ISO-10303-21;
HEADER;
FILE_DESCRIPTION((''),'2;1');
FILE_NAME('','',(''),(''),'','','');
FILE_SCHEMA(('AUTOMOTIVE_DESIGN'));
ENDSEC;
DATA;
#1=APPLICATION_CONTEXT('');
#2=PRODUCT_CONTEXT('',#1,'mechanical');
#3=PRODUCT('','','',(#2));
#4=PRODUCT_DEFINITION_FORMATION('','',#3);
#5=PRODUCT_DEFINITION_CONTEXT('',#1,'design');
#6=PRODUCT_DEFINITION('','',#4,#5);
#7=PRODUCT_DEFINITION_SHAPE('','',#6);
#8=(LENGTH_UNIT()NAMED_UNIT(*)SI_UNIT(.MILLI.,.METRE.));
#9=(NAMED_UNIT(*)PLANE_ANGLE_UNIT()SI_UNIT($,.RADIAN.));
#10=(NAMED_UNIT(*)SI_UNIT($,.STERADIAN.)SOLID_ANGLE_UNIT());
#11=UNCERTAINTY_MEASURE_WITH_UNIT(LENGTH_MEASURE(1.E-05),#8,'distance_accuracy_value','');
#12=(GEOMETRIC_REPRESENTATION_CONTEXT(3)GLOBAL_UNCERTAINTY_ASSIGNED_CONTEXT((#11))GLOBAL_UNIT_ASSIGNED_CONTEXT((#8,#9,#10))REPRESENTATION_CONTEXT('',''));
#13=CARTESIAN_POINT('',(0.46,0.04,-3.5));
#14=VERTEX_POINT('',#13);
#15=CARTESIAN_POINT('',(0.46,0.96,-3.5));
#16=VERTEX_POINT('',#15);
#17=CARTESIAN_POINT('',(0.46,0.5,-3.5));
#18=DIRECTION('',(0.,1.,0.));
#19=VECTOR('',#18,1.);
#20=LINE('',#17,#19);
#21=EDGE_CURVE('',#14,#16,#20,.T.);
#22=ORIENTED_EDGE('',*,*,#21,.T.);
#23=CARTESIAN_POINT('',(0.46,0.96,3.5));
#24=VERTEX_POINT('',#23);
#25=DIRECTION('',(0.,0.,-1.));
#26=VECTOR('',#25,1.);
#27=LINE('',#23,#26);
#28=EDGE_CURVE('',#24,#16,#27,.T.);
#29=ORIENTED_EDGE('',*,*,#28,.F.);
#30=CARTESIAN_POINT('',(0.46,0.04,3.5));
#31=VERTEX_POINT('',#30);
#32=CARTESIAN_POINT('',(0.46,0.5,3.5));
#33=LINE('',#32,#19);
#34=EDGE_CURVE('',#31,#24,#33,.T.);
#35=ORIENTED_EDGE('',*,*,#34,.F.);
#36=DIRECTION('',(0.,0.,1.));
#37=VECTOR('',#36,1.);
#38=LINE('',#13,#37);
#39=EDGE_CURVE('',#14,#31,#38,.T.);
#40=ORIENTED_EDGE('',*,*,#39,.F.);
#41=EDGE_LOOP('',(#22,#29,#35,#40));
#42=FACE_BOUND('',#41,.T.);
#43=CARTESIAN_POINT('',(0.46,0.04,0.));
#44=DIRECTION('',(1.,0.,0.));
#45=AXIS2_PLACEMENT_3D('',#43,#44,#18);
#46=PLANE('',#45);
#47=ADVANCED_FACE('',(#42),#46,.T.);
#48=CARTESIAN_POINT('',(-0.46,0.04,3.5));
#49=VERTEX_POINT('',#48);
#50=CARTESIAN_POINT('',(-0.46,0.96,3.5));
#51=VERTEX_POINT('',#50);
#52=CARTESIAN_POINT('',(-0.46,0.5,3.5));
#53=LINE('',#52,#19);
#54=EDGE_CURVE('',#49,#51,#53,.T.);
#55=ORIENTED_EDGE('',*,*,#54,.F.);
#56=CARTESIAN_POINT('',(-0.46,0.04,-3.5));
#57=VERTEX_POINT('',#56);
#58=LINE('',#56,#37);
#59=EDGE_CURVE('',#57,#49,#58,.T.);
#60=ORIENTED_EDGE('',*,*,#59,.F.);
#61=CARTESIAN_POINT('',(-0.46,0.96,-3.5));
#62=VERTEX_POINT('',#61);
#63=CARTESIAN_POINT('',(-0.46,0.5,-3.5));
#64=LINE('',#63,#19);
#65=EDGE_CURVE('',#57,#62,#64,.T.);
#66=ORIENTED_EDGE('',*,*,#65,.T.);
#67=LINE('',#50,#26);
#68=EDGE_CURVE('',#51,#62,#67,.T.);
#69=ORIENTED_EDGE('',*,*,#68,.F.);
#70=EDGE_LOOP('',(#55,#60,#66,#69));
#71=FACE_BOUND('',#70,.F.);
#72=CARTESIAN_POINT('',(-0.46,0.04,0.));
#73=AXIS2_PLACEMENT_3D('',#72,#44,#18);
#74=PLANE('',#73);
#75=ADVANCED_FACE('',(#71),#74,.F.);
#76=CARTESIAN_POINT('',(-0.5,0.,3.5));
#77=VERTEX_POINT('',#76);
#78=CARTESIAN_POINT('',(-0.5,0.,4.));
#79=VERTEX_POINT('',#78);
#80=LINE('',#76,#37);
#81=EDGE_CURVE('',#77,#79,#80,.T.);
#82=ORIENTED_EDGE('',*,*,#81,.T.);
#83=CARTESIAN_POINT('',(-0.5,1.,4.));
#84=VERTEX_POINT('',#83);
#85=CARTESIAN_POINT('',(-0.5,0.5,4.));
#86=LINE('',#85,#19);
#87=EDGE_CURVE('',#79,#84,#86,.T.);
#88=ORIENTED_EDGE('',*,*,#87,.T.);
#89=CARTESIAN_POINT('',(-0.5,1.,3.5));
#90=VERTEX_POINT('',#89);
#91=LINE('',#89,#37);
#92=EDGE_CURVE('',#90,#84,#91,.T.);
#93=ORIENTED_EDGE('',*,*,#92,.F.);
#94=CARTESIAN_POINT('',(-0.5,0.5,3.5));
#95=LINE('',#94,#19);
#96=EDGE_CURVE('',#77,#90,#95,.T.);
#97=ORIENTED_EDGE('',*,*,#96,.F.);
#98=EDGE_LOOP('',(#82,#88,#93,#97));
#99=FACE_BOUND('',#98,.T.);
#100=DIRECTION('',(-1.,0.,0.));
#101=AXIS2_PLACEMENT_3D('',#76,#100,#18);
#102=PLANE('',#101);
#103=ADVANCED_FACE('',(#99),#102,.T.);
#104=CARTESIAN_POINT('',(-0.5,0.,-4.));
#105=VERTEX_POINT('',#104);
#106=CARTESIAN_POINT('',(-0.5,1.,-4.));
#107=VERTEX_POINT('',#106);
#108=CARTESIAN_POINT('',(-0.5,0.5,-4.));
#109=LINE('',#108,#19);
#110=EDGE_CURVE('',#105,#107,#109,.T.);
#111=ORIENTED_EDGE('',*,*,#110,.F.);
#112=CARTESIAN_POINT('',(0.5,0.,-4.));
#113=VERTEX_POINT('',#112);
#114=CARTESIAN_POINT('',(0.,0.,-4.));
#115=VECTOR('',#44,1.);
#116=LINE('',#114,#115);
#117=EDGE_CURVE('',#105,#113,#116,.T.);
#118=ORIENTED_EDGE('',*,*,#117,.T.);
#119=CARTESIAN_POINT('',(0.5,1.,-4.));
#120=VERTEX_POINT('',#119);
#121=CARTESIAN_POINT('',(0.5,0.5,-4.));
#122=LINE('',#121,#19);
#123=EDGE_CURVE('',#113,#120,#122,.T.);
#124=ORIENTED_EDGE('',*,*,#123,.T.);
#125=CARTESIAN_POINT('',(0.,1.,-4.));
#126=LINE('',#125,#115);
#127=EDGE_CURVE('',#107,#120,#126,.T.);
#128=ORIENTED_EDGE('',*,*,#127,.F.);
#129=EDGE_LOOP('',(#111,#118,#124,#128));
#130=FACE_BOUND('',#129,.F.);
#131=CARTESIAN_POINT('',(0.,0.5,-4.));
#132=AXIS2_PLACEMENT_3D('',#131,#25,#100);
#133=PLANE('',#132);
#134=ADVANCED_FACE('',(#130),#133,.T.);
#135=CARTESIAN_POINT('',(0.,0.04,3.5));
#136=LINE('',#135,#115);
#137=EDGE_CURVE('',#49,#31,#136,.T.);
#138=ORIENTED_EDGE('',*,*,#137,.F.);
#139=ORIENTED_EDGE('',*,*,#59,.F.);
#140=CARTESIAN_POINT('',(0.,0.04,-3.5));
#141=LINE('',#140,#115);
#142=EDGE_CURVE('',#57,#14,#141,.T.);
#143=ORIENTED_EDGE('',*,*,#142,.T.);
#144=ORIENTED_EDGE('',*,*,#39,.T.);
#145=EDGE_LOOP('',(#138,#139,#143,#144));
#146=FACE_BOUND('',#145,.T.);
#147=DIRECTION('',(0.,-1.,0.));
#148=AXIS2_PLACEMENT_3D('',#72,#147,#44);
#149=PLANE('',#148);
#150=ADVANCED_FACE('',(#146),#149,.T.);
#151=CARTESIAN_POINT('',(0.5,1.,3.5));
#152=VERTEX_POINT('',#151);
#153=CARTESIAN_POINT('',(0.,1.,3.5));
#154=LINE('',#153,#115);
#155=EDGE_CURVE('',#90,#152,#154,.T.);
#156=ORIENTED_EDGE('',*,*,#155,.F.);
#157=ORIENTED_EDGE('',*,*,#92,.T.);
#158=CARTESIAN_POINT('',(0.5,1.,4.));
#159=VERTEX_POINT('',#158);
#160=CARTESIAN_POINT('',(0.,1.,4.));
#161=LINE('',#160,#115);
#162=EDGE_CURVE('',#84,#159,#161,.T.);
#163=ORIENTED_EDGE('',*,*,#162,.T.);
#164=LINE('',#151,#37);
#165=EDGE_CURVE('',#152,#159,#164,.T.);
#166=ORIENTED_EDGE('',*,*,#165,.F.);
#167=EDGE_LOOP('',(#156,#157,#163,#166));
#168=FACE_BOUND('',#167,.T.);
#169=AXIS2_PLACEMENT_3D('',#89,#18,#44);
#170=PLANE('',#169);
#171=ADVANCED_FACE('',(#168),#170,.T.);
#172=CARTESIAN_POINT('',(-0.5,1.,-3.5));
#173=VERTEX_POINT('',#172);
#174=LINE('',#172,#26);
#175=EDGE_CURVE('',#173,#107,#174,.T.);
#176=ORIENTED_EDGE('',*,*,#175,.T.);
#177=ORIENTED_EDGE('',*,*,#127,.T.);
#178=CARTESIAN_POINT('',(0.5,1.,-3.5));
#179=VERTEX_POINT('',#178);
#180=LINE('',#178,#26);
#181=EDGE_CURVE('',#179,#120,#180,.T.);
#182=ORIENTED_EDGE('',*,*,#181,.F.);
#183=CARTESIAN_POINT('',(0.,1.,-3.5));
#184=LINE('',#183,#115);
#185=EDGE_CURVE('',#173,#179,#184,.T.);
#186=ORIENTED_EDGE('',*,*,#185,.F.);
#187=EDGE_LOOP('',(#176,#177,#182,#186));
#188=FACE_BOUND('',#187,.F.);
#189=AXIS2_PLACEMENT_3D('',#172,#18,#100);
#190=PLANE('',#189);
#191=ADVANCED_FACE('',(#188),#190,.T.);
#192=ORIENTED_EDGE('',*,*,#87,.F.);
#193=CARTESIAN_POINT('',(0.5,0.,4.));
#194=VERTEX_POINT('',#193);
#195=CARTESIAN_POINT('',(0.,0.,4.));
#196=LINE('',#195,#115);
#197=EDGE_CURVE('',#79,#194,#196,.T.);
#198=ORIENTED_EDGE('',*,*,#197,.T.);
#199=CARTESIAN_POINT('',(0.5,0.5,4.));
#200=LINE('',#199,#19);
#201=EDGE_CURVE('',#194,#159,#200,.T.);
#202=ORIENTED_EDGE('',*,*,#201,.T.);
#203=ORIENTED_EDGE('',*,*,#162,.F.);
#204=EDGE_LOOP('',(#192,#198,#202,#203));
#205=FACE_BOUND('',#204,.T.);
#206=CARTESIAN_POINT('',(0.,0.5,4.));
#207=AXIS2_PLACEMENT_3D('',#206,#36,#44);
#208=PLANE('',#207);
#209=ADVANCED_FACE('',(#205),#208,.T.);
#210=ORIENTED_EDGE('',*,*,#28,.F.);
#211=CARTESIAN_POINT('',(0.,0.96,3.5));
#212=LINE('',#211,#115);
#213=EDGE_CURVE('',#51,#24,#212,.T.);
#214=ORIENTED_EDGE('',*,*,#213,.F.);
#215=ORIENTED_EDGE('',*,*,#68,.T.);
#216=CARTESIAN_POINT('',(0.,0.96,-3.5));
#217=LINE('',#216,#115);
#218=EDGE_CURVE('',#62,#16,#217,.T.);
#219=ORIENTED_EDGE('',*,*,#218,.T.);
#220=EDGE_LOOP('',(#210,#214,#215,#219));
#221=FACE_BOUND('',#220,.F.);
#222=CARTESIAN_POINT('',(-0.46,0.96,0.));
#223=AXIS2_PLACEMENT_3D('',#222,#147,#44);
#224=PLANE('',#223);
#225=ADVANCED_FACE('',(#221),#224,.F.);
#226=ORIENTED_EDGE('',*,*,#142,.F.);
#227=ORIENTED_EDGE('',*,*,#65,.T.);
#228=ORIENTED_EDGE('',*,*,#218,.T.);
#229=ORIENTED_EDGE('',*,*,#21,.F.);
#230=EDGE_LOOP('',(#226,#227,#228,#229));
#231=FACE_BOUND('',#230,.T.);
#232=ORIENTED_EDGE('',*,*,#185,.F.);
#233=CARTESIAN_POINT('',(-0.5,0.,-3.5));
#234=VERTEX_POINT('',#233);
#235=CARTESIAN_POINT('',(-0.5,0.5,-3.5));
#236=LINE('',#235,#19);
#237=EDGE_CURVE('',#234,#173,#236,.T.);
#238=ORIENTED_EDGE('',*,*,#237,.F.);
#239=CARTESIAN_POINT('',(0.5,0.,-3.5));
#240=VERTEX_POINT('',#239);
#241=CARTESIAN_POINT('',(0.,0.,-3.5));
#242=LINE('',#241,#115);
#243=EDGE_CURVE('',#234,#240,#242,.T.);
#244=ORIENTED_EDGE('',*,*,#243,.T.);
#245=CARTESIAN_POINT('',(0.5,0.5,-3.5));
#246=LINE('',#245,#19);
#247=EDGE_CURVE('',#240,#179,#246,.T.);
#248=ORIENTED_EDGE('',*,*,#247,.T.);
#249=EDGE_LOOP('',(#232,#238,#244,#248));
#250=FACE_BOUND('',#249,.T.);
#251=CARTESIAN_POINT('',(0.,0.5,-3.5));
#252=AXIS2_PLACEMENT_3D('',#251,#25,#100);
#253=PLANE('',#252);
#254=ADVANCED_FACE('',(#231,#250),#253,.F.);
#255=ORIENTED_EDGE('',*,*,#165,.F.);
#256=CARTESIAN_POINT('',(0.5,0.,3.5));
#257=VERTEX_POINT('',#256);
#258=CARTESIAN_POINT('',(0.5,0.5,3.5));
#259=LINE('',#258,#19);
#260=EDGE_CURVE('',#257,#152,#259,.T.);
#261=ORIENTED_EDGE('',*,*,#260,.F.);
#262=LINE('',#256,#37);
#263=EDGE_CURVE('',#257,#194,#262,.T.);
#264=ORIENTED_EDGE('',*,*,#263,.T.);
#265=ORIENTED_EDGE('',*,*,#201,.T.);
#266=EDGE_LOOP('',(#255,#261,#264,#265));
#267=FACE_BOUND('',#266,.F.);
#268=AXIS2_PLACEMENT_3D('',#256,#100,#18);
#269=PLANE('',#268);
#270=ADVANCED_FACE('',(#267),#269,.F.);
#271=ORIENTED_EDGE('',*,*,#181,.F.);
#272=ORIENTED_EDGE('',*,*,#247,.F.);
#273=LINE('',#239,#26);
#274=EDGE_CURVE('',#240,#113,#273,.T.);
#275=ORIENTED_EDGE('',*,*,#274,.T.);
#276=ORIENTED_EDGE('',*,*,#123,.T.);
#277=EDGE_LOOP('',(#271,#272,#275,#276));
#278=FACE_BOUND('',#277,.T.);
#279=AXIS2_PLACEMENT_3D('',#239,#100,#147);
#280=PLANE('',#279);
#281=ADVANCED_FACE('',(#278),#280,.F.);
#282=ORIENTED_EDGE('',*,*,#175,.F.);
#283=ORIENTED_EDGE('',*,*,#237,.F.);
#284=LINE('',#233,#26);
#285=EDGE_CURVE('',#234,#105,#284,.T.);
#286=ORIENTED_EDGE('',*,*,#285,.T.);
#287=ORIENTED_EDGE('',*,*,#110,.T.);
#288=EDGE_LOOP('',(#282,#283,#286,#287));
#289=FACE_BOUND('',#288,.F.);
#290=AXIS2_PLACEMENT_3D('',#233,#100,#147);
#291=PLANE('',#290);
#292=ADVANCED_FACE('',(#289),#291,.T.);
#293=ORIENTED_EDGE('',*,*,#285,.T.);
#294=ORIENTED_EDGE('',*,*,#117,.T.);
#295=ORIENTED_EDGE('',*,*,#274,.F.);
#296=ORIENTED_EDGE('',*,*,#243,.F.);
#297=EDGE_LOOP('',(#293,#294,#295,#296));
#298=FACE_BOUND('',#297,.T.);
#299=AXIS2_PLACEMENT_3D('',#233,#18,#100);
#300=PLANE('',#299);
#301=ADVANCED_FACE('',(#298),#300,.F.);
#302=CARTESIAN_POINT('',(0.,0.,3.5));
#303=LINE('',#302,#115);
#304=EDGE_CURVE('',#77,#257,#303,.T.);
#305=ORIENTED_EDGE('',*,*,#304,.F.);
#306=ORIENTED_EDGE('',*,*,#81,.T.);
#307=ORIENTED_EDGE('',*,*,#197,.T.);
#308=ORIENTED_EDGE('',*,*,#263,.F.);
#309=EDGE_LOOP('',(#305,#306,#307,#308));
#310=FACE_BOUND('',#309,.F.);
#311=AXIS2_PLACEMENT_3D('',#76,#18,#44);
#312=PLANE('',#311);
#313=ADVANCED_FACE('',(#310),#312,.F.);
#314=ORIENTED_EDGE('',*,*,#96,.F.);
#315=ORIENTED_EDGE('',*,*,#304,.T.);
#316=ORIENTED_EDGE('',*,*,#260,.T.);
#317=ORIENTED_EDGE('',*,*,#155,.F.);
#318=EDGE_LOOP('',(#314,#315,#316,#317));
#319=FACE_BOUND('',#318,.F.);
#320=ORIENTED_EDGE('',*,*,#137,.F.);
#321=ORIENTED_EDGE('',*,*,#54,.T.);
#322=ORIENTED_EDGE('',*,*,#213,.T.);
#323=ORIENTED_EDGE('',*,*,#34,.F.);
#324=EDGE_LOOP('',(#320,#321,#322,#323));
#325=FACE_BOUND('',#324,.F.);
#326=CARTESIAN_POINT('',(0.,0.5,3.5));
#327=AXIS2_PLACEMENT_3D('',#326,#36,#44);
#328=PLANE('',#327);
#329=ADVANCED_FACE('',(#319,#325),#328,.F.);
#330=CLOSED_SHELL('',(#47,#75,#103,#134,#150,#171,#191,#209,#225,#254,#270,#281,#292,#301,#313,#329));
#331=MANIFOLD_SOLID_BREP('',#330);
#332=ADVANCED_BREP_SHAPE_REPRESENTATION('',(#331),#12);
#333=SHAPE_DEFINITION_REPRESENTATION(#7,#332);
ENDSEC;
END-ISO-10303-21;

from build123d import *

# Parameters (mm, degrees)
SKETCH1_W           = 0.92
SKETCH1_H           = 0.92
BOSS_EXTRUDE1_DEPTH = 3.5
SKETCH2_W           = 1
SKETCH2_H           = 1
BOSS_EXTRUDE2_DEPTH = 0.5


with BuildPart() as part:
    # Sketch1 → Boss-Extrude1 (new body, symmetric)
    with BuildSketch(Plane.XY):
        with Locations((0, 0.5)):
            Rectangle(SKETCH1_W, SKETCH1_H)
    extrude(amount=BOSS_EXTRUDE1_DEPTH, both=True)

    # Sketch2 → Boss-Extrude2 (add)
    with BuildSketch(Plane.XY.offset(3.5)):
        with Locations((0, 0.5)):
            Rectangle(SKETCH2_W, SKETCH2_H)
    boss_extrude2 = extrude(amount=BOSS_EXTRUDE2_DEPTH)

    # Mirror1: Boss-Extrude2 across plane
    add(boss_extrude2.mirror(Plane.XY))


solid = part.part
